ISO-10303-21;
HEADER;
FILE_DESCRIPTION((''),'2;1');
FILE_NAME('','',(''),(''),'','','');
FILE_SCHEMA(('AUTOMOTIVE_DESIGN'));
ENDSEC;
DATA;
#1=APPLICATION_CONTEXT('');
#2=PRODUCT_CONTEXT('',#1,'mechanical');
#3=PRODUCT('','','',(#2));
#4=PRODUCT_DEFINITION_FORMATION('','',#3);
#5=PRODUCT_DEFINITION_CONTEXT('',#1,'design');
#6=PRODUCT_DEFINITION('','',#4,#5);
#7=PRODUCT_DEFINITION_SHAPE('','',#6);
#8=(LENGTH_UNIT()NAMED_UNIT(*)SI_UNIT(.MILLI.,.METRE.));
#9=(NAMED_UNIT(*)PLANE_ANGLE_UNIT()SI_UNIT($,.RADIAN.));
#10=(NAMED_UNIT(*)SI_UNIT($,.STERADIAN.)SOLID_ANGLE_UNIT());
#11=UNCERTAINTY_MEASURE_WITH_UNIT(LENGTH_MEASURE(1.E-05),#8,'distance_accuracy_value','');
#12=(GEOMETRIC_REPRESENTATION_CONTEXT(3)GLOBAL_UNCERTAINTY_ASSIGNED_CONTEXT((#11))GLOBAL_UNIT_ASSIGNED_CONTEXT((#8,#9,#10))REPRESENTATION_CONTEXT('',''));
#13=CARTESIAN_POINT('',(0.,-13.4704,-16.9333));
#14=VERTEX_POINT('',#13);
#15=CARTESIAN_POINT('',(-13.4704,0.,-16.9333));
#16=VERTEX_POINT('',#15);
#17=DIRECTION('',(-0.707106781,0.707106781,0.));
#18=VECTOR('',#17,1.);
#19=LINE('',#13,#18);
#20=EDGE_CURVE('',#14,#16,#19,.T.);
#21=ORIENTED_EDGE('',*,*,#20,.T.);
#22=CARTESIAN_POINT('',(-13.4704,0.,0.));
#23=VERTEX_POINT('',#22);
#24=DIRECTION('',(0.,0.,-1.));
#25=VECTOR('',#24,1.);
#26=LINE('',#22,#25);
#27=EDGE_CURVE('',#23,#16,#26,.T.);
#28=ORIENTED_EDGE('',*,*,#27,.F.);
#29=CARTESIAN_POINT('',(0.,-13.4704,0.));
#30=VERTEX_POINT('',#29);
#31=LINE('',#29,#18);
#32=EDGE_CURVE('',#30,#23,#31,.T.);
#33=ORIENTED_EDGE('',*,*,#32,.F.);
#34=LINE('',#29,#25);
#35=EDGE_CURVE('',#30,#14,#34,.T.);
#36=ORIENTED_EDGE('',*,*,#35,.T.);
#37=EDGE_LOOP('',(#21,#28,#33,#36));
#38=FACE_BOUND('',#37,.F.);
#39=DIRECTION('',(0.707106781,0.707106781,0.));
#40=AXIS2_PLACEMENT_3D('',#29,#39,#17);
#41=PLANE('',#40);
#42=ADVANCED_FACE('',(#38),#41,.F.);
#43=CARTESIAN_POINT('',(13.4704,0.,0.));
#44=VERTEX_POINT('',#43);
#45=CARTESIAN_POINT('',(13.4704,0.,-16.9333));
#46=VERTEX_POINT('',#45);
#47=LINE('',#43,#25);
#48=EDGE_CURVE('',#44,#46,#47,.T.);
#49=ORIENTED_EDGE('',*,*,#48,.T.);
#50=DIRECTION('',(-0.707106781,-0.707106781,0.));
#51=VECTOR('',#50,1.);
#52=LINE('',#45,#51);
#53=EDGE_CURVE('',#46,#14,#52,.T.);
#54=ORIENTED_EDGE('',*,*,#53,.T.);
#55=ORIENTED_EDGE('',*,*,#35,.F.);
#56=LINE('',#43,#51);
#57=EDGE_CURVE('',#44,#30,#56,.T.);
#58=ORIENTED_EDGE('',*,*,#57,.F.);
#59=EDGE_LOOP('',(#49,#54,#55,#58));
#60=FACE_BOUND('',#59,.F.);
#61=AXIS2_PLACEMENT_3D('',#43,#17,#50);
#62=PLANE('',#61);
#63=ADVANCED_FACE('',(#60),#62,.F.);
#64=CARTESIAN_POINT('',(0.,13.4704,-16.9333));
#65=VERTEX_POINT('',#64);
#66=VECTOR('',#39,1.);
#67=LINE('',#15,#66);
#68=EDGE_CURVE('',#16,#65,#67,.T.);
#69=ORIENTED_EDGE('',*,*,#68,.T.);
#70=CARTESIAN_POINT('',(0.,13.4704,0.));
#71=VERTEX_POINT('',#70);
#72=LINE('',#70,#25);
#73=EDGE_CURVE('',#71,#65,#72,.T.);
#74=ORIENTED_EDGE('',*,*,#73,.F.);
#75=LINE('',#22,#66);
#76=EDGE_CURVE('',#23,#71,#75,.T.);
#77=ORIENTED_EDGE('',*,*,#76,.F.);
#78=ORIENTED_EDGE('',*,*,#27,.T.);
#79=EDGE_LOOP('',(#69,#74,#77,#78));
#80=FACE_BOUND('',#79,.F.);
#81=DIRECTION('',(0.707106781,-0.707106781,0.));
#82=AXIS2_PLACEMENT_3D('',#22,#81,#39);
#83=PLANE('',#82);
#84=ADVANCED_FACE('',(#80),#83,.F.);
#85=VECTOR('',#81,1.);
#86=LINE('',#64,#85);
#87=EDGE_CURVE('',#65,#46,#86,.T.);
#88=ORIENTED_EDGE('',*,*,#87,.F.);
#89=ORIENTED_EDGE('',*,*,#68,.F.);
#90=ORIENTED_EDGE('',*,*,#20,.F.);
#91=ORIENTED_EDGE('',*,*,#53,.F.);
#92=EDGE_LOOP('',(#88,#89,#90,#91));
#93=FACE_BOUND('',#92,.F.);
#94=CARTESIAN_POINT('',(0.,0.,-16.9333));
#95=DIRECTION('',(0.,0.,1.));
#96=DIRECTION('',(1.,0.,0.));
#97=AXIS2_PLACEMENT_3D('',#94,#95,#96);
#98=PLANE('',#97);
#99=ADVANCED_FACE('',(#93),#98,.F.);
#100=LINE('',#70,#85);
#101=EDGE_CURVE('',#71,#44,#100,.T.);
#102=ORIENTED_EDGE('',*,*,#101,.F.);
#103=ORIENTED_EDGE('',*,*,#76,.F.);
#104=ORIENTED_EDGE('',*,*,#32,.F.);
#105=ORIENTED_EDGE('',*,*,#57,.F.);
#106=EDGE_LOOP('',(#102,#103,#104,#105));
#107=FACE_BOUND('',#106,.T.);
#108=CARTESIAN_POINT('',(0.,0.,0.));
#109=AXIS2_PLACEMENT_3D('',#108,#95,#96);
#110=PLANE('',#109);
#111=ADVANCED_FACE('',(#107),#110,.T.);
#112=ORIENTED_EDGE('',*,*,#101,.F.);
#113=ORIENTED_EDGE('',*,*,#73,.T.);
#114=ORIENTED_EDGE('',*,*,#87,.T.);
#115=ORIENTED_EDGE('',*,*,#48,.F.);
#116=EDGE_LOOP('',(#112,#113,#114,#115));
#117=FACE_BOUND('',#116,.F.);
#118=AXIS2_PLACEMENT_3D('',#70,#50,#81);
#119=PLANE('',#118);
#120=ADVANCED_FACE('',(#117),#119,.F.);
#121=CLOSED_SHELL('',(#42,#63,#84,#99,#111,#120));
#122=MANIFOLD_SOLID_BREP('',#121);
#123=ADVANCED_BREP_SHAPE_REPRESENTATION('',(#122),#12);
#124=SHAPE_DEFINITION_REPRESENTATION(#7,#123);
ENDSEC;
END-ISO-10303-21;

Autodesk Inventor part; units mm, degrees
ref_plane "YZ Plane" through (0, 0, 0) normal (1, 0, 0) x (0, 1, 0)
ref_plane "XZ Plane" through (0, 0, 0) normal (0, 1, 0) x (-1, 0, 0)
ref_plane "XY Plane" through (0, 0, 0) normal (0, 0, 1) x (1, 0, 0)
sketch "Sketch1" plane through (0, 0, 0) normal (0, 0, 1) x (1, 0, 0)
  line L0 (13.4704, 0) -> (0, -13.4704)
  line L1 (0, -13.4704) -> (-13.4704, 0)
  line L2 (-13.4704, 0) -> (0, 13.4704)
  line L3 (0, 13.4704) -> (13.4704, 0)
  line L4 (0, 0) -> (0, 13.4704) construction
  dimension "d0" = 19.05
extrude "Extrusion1" add sketch "Sketch1" against normal blind 16.9333
sketch "Sketch2" plane through (0, 0, -16.9333) normal (0, 0, -1) x (-1, 0, 0)
  circle A0 centre (0, 0) radius 4
  dimension "d3" = 8
properties part number "Driver Shaft"
